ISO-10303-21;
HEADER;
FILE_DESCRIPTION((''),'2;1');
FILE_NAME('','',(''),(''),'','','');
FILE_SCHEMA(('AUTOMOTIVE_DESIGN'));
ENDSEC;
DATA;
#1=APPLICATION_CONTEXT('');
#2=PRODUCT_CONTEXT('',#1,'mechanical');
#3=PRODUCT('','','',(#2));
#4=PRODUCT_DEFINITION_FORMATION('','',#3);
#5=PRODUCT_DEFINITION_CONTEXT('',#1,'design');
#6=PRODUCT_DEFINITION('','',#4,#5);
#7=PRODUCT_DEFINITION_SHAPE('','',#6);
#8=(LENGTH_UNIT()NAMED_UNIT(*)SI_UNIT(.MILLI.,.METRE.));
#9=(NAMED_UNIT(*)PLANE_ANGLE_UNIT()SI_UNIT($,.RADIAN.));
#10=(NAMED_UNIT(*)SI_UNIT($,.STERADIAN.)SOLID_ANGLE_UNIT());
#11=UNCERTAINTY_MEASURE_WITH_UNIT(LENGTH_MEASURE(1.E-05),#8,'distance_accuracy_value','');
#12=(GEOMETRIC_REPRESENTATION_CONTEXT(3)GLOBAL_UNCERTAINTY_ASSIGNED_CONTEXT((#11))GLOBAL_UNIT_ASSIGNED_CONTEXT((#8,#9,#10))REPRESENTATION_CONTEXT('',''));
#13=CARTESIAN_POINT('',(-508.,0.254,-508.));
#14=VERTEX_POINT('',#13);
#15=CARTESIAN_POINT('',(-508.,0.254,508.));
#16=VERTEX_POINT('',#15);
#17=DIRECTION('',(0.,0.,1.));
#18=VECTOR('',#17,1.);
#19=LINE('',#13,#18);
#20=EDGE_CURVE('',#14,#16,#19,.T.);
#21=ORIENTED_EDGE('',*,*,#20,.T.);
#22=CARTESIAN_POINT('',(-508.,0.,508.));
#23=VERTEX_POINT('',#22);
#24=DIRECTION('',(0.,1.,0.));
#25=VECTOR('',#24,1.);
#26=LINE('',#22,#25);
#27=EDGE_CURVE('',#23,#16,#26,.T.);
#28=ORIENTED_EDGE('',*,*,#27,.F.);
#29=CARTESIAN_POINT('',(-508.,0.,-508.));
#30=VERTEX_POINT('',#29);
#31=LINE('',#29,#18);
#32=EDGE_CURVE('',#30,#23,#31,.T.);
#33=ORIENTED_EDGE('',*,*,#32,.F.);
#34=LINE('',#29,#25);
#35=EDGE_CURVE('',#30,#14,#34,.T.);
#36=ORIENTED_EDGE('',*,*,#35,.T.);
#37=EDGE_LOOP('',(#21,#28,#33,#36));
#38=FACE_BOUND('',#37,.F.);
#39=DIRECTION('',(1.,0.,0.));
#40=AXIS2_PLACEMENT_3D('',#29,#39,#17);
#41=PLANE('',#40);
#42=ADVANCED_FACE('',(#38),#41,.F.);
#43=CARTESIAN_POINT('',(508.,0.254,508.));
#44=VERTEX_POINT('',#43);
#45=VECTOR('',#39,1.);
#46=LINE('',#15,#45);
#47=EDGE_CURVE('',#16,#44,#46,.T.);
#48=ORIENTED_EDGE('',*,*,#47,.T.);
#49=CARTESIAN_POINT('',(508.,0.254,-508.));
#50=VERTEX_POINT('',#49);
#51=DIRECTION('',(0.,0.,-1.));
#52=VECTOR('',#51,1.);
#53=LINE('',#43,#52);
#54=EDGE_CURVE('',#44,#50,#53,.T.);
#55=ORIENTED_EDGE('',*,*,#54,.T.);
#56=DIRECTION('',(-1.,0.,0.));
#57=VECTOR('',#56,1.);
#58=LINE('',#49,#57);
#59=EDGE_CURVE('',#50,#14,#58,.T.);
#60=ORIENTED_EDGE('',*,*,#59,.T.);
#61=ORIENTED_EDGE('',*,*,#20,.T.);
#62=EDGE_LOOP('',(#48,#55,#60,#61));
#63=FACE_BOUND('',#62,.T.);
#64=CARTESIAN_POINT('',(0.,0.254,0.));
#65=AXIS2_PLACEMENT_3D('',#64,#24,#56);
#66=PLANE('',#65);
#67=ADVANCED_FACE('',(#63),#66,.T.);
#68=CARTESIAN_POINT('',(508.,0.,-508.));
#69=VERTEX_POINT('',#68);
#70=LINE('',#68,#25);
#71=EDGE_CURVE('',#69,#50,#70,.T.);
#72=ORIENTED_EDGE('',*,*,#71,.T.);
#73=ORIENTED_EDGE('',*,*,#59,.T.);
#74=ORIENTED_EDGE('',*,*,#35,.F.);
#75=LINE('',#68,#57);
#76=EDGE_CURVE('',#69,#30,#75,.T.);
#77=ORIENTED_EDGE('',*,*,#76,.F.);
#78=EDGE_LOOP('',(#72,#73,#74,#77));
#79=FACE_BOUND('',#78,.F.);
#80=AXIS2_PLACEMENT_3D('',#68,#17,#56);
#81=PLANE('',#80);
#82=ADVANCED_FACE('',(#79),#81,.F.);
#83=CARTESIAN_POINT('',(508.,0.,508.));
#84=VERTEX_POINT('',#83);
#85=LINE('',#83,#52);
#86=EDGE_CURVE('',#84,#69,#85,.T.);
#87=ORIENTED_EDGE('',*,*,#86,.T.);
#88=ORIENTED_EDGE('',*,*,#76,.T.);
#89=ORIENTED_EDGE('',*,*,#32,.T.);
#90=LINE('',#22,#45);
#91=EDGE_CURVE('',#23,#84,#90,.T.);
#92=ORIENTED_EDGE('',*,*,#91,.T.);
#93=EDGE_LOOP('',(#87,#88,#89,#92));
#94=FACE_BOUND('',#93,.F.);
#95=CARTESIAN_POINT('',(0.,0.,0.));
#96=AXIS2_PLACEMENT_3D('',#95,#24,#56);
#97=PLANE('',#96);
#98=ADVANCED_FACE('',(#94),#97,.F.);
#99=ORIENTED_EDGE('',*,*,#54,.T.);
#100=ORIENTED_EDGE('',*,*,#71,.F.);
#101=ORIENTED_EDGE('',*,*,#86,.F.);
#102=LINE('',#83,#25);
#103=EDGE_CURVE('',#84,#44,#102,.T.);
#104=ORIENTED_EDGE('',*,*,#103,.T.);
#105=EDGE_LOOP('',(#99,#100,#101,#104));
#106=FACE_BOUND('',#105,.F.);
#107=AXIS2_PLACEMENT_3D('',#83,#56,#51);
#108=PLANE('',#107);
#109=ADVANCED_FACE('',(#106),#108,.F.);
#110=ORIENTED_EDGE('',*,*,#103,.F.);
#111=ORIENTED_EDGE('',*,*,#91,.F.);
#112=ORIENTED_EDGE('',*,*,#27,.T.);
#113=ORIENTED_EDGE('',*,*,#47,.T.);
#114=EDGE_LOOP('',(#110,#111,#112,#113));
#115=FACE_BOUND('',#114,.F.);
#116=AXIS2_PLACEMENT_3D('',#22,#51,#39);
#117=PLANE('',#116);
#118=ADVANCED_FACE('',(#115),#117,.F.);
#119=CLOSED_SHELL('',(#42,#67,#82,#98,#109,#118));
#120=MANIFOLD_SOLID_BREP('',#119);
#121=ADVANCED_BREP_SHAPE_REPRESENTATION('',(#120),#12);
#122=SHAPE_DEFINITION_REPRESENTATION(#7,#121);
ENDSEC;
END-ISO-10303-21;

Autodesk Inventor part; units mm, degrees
ref_plane "YZ Plane" through (0, 0, 0) normal (1, 0, 0) x (0, 1, 0)
ref_plane "XZ Plane" through (0, 0, 0) normal (0, 1, 0) x (-1, 0, 0)
ref_plane "XY Plane" through (0, 0, 0) normal (0, 0, 1) x (1, 0, 0)
sketch "Sketch1" plane through (0, 0, 0) normal (0, 1, 0) x (-1, 0, 0)
  line L0 (508, 508) -> (-508, 508)
  line L1 (-508, 508) -> (-508, -508)
  line L2 (-508, -508) -> (508, -508)
  line L3 (508, -508) -> (508, 508)
  line L4 (508, 508) -> (-508, -508) construction
  line L5 (-508, 508) -> (508, -508) construction
  point P0 (0, 0)
  dimension "d0" = 1016
  dimension "d1" = 1016
extrude "Extrusion1" add sketch "Sketch1" along normal blind 0.254
properties part number "ceiling" material "Polycarbonate, Smoke"
